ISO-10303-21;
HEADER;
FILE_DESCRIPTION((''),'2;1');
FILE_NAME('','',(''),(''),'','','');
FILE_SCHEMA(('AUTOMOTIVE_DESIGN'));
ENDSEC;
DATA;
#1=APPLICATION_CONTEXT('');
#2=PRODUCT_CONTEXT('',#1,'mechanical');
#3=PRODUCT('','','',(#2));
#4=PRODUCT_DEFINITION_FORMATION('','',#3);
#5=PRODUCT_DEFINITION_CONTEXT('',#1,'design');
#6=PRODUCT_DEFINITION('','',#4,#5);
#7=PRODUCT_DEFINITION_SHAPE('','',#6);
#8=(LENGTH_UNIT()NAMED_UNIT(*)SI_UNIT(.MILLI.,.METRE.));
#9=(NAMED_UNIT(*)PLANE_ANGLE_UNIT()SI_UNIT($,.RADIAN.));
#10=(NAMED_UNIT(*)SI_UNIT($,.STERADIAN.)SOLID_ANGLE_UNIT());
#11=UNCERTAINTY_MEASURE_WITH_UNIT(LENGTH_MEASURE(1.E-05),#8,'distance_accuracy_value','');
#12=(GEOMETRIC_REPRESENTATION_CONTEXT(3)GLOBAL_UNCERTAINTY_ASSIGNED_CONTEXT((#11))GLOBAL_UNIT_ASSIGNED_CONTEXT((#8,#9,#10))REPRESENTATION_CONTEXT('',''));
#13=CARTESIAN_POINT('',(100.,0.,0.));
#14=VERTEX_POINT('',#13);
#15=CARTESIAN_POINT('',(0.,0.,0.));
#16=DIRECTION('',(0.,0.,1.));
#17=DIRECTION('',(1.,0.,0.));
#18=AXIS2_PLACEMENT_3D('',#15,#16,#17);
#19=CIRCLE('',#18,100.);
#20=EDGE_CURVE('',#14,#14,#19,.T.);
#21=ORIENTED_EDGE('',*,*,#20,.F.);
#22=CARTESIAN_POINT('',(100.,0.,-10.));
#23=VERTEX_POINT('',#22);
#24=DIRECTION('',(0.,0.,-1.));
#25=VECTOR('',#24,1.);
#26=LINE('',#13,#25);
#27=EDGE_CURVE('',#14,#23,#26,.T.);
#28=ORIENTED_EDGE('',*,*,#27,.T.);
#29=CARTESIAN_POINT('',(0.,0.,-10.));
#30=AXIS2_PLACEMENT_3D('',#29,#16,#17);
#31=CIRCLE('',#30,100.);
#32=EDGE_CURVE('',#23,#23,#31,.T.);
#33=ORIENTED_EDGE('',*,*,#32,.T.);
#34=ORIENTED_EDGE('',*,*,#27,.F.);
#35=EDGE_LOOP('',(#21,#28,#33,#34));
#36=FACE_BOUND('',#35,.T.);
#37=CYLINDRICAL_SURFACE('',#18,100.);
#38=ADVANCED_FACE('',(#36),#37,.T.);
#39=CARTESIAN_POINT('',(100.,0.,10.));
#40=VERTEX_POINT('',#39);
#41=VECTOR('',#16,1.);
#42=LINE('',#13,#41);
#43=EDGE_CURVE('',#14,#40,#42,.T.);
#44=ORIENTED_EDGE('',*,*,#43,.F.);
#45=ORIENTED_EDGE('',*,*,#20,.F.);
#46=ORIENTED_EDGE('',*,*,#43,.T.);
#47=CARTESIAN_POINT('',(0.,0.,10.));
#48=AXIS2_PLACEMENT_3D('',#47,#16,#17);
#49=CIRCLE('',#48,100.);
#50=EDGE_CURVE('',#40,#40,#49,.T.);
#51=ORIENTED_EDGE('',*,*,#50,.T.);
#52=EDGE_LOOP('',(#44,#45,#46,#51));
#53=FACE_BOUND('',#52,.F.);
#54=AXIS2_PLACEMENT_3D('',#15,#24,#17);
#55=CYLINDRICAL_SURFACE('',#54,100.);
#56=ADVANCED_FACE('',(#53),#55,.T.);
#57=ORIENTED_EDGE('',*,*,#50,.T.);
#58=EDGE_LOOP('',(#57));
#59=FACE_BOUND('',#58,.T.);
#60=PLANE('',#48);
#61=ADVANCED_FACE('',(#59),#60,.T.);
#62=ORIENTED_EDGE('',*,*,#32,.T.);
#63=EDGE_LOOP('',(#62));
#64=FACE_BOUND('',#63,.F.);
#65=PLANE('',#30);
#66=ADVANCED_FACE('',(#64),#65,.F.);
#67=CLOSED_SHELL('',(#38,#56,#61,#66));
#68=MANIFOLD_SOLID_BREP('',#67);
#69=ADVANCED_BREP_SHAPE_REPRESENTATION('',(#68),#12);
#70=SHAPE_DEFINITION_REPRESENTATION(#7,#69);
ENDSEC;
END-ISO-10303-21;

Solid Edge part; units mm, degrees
sketch "Sketch1" plane through (0, 0, 0) normal (0, 0, 1) x (1, 0, 0)
  circle A0 centre (0, 0) radius 100
extrude "Protrusion1" add sketch "Sketch1" along normal mid plane 20
properties material "Aluminum, 1060"
